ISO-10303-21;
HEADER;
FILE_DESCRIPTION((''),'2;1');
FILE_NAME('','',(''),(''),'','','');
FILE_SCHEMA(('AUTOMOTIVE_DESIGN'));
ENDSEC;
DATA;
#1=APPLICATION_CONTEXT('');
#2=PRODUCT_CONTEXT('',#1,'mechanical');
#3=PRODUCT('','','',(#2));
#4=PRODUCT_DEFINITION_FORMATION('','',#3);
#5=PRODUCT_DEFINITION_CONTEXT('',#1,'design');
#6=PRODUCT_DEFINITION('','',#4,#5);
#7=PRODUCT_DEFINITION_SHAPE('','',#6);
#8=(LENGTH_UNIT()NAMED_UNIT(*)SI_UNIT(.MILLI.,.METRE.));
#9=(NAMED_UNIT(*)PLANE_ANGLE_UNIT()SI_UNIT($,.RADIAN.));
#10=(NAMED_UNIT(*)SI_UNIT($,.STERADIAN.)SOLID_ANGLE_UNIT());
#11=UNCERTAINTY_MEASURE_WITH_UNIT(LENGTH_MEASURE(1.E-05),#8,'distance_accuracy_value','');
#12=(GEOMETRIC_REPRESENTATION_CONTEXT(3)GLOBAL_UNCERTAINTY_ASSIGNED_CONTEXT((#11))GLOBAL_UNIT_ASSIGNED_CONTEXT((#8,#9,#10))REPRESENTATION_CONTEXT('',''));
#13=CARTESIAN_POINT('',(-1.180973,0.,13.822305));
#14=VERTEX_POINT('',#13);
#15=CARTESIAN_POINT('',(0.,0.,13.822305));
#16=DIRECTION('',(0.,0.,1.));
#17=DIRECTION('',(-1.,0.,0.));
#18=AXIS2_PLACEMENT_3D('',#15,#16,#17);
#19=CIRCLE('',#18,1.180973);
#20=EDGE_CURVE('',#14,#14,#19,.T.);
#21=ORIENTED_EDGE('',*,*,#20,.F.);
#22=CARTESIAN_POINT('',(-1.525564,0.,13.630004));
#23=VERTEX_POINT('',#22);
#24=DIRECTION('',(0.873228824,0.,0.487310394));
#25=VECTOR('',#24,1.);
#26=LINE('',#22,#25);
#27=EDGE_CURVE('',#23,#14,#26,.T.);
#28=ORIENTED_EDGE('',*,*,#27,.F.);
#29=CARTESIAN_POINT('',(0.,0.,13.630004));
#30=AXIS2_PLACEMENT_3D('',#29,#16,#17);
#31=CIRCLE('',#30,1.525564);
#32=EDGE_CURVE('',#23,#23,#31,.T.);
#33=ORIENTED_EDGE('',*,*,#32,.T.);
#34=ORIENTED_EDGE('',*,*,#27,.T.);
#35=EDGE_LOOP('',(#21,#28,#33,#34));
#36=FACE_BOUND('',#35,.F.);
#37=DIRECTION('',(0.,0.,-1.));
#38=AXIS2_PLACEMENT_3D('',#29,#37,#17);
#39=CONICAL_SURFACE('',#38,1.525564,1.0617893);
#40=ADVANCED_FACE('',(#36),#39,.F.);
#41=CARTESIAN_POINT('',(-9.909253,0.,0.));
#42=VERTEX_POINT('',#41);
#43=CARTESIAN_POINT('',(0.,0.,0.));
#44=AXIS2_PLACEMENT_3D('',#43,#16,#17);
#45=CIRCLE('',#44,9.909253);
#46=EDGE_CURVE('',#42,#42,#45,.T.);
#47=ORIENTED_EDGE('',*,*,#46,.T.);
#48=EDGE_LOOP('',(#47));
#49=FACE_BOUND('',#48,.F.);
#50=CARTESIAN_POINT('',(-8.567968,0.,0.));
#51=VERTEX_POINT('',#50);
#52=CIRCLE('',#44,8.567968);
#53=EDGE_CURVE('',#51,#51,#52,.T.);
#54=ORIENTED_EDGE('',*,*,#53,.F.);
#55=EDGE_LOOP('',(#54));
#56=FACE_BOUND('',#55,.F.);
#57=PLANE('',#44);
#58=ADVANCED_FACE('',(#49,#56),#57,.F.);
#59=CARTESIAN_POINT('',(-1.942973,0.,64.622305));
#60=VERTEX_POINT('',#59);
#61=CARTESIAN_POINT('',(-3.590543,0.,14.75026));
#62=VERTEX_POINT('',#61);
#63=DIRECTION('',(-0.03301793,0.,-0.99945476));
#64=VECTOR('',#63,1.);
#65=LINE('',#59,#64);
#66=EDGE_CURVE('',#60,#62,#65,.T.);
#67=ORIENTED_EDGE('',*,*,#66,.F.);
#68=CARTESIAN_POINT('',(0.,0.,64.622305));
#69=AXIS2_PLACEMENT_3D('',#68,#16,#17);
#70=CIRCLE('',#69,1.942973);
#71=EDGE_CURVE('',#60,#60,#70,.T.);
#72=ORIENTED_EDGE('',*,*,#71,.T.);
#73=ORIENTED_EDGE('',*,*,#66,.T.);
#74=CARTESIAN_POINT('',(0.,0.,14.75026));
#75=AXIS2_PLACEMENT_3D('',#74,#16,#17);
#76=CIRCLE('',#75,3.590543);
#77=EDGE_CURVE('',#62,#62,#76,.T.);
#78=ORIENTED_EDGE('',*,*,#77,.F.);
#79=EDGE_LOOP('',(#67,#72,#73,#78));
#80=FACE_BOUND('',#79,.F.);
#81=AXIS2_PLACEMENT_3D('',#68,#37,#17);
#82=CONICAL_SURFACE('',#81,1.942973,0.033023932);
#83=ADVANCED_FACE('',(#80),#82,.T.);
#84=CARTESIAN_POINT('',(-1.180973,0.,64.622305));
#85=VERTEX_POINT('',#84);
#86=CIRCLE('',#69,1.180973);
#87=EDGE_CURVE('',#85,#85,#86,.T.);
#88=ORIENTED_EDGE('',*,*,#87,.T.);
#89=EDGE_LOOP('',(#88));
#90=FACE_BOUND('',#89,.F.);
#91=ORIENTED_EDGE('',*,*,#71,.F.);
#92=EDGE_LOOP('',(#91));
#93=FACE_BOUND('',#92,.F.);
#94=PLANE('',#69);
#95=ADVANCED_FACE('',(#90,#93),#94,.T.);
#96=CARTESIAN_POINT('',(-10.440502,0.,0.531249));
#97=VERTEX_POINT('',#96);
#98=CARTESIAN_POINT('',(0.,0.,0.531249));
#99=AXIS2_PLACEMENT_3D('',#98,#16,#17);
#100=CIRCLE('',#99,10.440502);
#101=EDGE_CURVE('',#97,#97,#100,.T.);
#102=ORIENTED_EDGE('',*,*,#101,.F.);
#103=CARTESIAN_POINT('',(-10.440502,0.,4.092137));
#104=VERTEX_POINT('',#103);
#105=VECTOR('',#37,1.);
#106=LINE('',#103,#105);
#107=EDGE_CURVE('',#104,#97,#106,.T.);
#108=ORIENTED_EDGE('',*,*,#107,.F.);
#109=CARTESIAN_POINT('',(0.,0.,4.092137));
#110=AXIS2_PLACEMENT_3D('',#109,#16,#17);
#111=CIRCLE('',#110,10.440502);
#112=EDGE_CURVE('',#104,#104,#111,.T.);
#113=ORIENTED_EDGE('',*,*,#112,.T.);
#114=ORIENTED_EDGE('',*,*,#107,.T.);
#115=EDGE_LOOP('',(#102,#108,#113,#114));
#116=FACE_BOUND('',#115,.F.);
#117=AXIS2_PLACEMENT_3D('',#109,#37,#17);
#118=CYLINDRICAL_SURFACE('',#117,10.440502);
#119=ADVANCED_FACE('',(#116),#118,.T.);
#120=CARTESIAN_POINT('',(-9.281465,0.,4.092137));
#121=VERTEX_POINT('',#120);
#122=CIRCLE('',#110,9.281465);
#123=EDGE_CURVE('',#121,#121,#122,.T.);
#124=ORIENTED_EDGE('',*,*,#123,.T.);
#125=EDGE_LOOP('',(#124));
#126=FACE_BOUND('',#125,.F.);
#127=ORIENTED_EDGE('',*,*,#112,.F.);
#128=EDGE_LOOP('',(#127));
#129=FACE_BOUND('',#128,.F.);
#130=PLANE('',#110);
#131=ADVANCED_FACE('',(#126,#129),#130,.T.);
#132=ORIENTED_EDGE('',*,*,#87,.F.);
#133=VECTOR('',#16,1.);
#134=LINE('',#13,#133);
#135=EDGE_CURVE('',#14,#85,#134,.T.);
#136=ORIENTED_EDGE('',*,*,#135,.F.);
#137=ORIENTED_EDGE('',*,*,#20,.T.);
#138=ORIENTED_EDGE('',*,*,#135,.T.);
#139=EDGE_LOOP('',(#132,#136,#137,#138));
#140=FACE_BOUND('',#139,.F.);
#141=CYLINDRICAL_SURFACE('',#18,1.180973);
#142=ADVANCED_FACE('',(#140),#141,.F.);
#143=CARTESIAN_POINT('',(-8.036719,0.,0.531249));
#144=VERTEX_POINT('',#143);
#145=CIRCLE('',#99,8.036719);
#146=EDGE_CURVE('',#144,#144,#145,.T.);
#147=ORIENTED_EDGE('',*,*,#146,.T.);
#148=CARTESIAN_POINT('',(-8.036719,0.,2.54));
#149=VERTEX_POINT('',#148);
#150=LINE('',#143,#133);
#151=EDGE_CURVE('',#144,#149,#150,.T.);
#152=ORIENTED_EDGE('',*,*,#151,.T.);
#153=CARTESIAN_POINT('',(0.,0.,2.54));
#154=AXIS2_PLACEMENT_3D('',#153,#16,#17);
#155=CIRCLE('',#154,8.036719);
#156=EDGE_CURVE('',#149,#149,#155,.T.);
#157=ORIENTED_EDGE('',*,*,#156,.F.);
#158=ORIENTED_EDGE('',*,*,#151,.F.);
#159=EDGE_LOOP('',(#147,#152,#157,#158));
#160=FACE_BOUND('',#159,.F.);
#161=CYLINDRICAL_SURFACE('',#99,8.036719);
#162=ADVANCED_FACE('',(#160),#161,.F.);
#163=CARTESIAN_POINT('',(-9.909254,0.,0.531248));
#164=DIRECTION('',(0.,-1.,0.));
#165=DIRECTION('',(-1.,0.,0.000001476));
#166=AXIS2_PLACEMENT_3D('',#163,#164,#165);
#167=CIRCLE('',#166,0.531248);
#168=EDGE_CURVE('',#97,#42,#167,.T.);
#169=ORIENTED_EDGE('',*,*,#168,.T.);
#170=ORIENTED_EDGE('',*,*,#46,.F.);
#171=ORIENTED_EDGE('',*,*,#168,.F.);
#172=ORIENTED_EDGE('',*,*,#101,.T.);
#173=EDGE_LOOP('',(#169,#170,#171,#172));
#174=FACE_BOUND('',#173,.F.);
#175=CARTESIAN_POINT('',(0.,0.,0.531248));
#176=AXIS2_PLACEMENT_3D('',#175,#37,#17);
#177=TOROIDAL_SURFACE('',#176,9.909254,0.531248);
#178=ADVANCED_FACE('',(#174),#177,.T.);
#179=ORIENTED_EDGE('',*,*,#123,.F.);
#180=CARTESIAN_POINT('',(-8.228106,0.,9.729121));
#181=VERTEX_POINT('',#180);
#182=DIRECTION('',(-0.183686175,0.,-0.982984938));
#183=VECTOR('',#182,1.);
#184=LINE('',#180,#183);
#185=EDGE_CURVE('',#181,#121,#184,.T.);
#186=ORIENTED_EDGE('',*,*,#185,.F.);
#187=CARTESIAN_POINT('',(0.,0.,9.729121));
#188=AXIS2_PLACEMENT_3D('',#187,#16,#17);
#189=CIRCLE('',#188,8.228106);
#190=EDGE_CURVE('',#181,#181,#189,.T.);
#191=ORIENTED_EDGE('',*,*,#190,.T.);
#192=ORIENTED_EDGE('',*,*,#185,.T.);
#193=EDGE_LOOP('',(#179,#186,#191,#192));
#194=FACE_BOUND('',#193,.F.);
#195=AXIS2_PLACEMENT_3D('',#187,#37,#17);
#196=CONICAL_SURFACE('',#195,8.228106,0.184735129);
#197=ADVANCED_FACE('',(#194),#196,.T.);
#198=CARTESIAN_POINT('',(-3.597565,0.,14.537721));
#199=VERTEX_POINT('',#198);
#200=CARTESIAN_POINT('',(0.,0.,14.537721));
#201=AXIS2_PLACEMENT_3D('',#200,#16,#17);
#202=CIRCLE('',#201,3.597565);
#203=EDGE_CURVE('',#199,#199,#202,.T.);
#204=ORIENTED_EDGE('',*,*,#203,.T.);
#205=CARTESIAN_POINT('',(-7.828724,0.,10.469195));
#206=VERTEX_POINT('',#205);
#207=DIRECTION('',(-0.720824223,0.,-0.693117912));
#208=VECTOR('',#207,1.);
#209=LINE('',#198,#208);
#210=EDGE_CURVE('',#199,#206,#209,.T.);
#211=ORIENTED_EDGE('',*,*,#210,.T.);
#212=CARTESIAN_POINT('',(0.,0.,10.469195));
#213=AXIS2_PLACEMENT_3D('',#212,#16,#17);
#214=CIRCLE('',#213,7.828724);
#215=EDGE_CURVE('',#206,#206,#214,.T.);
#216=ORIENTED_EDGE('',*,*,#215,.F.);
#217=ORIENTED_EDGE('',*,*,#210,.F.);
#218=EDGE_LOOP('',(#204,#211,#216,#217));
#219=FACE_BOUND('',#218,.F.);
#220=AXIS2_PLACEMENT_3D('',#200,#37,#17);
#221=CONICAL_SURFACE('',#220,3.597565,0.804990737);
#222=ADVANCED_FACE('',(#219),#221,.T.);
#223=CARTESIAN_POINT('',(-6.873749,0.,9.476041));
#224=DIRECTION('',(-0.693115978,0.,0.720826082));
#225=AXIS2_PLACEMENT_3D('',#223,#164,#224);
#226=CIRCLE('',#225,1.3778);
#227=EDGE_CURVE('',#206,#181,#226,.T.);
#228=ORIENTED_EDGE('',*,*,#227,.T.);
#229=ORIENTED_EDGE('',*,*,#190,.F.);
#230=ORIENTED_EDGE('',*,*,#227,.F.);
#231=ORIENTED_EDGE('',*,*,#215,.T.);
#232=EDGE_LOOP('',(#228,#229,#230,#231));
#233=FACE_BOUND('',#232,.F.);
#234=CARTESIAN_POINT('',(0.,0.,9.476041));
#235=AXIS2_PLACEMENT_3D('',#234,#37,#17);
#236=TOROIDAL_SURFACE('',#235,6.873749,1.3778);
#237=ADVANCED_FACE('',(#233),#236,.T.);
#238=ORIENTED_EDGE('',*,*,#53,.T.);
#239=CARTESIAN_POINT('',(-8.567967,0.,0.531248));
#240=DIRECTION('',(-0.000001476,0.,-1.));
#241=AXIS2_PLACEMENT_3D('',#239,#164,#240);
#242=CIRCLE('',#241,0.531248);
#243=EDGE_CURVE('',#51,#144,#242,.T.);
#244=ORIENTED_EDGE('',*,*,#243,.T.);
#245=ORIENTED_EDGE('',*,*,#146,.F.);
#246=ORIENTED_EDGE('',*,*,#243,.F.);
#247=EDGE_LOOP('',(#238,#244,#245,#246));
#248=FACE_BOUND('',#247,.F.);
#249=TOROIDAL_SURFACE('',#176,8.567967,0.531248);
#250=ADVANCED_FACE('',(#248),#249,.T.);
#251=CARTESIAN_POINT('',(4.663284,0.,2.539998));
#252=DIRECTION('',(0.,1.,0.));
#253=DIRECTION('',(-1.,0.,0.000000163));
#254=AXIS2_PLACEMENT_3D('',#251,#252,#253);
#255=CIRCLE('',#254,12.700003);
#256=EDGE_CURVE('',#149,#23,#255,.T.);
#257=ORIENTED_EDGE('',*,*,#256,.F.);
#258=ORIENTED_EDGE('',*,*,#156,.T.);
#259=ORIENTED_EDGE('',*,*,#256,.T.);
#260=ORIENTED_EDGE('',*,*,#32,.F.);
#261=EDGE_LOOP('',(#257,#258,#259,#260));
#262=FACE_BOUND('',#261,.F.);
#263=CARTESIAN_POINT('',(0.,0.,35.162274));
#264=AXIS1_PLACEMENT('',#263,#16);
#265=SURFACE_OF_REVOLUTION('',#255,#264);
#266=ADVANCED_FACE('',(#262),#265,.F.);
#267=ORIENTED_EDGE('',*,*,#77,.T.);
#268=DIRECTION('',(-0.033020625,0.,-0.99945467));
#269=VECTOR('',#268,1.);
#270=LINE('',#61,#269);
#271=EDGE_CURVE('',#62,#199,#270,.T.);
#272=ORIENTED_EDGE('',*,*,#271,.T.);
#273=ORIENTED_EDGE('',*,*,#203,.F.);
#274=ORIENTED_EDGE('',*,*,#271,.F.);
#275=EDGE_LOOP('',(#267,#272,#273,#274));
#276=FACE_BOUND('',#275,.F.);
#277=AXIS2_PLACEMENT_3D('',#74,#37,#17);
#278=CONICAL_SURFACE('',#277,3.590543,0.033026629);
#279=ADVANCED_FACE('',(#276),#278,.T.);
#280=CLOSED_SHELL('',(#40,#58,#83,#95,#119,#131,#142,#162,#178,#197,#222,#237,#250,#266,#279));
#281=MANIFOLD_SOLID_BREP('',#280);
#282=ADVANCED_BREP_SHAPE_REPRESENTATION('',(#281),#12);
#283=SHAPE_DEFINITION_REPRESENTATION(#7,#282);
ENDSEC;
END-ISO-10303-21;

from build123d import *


with BuildPart() as f1:
    # F0 (on Front) → F1 (revolve)
    with BuildSketch(Plane.XZ):
        with BuildLine():
            ThreePointArc((-8.567968, 0), (-8.192318, 0.155599), (-8.036719, 0.531249))
            Line((-8.036719, 0.531249), (-8.036719, 2.54))
            ThreePointArc((-8.036719, 2.54), (-6.288621, 8.970072), (-1.525564, 13.630004))
            Line((-1.525564, 13.630004), (-1.180973, 13.822305))
            Line((-1.180973, 13.822305), (-1.180973, 64.622305))
            Line((-1.180973, 64.622305), (-1.942973, 64.622305))
            Line((-1.942973, 64.622305), (-3.590543, 14.75026))
            Line((-3.590543, 14.75026), (-3.597565, 14.537721))
            Line((-3.597565, 14.537721), (-7.828724, 10.469195))
            ThreePointArc((-7.828724, 10.469195), (-8.086259, 10.130374), (-8.228106, 9.729121))
            Line((-8.228106, 9.729121), (-9.281465, 4.092137))
            Line((-9.281465, 4.092137), (-10.440502, 4.092137))
            Line((-10.440502, 4.092137), (-10.440502, 0.531249))
            ThreePointArc((-10.440502, 0.531249), (-10.284903, 0.155599), (-9.909253, 0))
            Line((-9.909253, 0), (-8.567968, 0))
        make_face()
    revolve(axis=Axis((0, 0, 35.162274), (0, 0, 1)))


solid = f1.part
